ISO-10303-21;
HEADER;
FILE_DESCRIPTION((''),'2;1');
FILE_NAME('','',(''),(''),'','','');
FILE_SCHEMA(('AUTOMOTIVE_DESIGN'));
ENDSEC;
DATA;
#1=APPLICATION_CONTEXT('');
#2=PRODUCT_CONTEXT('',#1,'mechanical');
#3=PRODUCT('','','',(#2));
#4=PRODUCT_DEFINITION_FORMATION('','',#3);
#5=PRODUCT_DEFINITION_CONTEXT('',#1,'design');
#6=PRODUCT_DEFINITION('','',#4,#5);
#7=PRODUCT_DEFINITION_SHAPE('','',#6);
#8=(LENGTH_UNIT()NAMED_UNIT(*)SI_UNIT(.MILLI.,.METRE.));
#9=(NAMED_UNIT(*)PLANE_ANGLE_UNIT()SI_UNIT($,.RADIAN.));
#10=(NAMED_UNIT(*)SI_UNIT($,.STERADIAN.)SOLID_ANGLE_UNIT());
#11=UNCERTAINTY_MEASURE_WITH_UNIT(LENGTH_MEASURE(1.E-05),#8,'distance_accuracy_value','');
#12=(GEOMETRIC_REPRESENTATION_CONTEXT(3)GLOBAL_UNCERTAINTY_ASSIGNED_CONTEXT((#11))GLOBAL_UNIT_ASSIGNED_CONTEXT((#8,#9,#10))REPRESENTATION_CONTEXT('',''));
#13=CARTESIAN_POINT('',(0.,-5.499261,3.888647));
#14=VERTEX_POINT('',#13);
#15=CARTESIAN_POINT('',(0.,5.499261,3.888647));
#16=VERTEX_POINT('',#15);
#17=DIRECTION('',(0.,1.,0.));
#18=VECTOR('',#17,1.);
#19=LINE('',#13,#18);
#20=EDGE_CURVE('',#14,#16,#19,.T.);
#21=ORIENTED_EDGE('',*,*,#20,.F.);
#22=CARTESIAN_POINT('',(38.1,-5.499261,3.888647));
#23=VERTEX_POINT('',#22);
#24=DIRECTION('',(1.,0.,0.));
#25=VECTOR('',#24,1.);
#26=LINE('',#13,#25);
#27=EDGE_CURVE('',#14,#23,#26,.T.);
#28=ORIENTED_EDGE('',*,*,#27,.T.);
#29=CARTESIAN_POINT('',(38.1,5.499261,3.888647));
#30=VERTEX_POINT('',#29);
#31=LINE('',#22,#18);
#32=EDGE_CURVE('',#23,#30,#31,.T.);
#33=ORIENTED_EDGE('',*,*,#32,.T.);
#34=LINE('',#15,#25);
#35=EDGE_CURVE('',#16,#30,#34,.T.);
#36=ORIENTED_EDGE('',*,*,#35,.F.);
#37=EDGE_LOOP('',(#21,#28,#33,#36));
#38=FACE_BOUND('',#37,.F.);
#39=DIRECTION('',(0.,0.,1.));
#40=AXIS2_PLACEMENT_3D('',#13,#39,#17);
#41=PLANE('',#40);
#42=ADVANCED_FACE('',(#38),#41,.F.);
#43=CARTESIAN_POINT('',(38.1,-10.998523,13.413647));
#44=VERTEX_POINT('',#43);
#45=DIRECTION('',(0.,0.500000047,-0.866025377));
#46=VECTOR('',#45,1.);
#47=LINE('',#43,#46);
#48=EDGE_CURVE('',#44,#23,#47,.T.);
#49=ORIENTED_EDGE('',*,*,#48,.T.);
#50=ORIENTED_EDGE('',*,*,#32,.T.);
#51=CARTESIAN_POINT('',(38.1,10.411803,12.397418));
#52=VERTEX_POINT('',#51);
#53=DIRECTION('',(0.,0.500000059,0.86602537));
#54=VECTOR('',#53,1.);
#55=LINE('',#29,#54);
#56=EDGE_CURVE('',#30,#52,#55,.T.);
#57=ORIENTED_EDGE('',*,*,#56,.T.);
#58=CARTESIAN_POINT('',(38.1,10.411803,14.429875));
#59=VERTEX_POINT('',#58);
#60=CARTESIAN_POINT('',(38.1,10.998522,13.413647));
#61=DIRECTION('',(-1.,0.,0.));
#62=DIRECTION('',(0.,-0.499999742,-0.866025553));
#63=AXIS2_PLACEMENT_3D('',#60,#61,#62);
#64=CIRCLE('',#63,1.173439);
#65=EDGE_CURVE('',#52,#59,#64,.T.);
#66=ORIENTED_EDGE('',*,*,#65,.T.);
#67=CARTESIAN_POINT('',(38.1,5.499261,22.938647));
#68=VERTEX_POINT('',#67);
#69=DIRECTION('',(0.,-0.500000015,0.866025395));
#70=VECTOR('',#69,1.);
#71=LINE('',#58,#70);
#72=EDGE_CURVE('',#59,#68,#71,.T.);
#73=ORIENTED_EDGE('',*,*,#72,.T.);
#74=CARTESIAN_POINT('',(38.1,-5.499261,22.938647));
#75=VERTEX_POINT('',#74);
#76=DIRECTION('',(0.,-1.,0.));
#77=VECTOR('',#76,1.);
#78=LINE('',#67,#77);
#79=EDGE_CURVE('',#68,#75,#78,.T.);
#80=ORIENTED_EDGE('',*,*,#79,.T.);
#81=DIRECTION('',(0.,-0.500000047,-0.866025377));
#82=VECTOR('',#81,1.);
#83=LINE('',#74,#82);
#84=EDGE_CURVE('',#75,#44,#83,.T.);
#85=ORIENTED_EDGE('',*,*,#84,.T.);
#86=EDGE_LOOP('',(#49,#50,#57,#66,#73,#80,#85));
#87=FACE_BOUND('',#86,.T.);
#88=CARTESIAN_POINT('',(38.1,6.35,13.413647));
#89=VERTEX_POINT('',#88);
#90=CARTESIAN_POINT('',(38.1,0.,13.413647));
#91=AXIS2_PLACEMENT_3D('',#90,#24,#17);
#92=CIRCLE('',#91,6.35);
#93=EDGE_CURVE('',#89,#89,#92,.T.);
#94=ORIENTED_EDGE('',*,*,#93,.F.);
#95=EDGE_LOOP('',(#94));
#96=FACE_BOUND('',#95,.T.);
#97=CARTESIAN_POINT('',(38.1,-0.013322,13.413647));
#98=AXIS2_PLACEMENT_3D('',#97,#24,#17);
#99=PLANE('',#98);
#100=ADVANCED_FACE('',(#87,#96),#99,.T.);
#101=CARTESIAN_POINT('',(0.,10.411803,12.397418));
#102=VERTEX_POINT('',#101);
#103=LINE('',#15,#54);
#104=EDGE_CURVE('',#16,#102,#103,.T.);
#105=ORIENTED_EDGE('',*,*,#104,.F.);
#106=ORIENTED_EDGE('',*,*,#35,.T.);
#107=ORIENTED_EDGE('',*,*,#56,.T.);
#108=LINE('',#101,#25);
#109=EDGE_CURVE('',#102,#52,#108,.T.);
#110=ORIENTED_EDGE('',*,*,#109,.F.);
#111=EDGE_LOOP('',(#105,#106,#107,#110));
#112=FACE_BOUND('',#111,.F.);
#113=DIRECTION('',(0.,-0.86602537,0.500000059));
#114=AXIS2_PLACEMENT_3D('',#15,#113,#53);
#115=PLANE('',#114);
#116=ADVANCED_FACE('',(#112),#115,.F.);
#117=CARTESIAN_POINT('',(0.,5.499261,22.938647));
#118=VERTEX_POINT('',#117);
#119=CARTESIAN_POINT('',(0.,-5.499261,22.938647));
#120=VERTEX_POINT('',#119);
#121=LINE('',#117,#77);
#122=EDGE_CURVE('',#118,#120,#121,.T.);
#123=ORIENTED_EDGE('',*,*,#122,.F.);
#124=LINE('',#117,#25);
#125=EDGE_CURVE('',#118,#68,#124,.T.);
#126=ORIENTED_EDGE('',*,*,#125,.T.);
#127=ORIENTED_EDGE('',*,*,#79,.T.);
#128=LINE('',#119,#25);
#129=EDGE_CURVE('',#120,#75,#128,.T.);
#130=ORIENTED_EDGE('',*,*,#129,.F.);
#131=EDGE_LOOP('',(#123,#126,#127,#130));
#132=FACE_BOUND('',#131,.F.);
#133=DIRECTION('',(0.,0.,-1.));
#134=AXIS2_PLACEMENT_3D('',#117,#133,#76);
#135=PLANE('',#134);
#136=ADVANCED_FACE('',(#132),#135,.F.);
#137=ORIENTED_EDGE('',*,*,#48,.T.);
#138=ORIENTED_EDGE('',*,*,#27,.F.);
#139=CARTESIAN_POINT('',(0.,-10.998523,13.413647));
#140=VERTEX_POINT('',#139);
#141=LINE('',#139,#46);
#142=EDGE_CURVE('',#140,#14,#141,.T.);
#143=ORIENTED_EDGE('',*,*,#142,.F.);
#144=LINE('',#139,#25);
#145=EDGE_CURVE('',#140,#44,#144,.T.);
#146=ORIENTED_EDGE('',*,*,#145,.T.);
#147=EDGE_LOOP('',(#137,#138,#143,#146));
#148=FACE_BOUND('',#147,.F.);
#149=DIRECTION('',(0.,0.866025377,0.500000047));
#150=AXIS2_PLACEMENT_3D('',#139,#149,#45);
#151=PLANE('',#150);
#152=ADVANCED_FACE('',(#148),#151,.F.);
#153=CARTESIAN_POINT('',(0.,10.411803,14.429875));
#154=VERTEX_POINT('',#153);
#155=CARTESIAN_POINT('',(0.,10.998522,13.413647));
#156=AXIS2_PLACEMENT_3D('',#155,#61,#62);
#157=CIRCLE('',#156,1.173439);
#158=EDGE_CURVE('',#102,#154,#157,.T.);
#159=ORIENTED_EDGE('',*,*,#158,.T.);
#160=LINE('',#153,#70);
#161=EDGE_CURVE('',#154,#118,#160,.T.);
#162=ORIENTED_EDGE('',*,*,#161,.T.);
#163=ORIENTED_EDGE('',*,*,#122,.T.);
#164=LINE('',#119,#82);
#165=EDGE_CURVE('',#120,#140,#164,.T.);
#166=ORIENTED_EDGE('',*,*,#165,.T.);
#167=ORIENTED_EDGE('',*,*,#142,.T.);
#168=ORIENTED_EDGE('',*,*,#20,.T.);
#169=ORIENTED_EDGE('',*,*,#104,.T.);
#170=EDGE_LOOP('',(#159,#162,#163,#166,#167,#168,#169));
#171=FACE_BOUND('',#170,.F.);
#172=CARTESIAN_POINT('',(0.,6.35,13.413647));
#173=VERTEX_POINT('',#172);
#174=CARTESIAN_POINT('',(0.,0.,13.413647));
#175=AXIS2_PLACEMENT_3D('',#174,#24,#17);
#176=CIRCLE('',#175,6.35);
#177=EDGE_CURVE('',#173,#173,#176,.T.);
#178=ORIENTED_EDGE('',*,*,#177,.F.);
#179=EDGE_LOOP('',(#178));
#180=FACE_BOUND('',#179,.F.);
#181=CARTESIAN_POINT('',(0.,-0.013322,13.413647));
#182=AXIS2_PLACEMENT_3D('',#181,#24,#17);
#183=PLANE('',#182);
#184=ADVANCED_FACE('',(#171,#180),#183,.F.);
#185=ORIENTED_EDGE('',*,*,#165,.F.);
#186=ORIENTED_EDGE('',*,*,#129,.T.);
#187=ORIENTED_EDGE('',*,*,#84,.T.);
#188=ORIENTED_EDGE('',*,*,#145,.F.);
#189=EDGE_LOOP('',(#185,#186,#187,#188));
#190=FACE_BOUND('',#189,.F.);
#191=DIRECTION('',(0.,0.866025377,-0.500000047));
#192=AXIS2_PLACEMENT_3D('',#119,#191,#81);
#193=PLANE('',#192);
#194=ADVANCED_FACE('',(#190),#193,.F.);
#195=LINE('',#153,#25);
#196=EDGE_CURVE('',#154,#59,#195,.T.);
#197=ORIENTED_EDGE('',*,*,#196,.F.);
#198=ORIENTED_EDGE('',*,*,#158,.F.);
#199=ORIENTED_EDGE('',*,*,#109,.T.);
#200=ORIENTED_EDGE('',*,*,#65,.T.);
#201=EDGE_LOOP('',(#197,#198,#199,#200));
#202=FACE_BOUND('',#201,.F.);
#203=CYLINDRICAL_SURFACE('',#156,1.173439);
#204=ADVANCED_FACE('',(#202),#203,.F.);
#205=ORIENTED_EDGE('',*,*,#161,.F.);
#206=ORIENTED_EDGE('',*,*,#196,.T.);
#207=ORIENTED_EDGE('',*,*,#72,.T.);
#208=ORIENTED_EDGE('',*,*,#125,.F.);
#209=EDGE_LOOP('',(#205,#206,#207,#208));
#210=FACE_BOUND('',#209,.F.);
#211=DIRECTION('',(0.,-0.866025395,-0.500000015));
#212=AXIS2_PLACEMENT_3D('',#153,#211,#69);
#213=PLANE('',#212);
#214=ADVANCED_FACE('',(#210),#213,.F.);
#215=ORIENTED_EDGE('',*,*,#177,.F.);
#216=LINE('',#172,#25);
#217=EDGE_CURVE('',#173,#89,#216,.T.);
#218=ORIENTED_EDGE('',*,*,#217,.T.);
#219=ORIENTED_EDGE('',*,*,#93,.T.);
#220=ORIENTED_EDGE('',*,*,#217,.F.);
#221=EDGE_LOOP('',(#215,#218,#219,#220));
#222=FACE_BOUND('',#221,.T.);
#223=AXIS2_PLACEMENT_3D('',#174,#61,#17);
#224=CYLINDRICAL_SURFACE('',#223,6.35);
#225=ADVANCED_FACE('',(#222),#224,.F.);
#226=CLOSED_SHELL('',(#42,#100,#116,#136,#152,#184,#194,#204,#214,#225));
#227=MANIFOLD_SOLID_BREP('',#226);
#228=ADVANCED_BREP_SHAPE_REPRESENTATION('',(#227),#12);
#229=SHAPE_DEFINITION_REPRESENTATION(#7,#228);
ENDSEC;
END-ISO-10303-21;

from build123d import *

# Parameters (mm, degrees)
F0_R     = 6.35
F1_DEPTH = 38.1


with BuildPart() as f1:
    # F0 (on Right) → F1 (new body)
    with BuildSketch(Plane.YZ):
        with BuildLine():
            Line((-5.499261, 3.888647), (5.499261, 3.888647))
            Line((5.499261, 3.888647), (10.411803, 12.397418))
            ThreePointArc((10.411803, 12.397418), (9.825083, 13.413647), (10.411803, 14.429875))
            Line((10.411803, 14.429875), (5.499261, 22.938647))
            Line((5.499261, 22.938647), (-5.499261, 22.938647))
            Line((-5.499261, 22.938647), (-10.998523, 13.413647))
            Line((-10.998523, 13.413647), (-5.499261, 3.888647))
        make_face()
        with Locations((0, 13.413647)):
            Circle(F0_R, mode=Mode.SUBTRACT)
    extrude(amount=F1_DEPTH)


solid = f1.part
